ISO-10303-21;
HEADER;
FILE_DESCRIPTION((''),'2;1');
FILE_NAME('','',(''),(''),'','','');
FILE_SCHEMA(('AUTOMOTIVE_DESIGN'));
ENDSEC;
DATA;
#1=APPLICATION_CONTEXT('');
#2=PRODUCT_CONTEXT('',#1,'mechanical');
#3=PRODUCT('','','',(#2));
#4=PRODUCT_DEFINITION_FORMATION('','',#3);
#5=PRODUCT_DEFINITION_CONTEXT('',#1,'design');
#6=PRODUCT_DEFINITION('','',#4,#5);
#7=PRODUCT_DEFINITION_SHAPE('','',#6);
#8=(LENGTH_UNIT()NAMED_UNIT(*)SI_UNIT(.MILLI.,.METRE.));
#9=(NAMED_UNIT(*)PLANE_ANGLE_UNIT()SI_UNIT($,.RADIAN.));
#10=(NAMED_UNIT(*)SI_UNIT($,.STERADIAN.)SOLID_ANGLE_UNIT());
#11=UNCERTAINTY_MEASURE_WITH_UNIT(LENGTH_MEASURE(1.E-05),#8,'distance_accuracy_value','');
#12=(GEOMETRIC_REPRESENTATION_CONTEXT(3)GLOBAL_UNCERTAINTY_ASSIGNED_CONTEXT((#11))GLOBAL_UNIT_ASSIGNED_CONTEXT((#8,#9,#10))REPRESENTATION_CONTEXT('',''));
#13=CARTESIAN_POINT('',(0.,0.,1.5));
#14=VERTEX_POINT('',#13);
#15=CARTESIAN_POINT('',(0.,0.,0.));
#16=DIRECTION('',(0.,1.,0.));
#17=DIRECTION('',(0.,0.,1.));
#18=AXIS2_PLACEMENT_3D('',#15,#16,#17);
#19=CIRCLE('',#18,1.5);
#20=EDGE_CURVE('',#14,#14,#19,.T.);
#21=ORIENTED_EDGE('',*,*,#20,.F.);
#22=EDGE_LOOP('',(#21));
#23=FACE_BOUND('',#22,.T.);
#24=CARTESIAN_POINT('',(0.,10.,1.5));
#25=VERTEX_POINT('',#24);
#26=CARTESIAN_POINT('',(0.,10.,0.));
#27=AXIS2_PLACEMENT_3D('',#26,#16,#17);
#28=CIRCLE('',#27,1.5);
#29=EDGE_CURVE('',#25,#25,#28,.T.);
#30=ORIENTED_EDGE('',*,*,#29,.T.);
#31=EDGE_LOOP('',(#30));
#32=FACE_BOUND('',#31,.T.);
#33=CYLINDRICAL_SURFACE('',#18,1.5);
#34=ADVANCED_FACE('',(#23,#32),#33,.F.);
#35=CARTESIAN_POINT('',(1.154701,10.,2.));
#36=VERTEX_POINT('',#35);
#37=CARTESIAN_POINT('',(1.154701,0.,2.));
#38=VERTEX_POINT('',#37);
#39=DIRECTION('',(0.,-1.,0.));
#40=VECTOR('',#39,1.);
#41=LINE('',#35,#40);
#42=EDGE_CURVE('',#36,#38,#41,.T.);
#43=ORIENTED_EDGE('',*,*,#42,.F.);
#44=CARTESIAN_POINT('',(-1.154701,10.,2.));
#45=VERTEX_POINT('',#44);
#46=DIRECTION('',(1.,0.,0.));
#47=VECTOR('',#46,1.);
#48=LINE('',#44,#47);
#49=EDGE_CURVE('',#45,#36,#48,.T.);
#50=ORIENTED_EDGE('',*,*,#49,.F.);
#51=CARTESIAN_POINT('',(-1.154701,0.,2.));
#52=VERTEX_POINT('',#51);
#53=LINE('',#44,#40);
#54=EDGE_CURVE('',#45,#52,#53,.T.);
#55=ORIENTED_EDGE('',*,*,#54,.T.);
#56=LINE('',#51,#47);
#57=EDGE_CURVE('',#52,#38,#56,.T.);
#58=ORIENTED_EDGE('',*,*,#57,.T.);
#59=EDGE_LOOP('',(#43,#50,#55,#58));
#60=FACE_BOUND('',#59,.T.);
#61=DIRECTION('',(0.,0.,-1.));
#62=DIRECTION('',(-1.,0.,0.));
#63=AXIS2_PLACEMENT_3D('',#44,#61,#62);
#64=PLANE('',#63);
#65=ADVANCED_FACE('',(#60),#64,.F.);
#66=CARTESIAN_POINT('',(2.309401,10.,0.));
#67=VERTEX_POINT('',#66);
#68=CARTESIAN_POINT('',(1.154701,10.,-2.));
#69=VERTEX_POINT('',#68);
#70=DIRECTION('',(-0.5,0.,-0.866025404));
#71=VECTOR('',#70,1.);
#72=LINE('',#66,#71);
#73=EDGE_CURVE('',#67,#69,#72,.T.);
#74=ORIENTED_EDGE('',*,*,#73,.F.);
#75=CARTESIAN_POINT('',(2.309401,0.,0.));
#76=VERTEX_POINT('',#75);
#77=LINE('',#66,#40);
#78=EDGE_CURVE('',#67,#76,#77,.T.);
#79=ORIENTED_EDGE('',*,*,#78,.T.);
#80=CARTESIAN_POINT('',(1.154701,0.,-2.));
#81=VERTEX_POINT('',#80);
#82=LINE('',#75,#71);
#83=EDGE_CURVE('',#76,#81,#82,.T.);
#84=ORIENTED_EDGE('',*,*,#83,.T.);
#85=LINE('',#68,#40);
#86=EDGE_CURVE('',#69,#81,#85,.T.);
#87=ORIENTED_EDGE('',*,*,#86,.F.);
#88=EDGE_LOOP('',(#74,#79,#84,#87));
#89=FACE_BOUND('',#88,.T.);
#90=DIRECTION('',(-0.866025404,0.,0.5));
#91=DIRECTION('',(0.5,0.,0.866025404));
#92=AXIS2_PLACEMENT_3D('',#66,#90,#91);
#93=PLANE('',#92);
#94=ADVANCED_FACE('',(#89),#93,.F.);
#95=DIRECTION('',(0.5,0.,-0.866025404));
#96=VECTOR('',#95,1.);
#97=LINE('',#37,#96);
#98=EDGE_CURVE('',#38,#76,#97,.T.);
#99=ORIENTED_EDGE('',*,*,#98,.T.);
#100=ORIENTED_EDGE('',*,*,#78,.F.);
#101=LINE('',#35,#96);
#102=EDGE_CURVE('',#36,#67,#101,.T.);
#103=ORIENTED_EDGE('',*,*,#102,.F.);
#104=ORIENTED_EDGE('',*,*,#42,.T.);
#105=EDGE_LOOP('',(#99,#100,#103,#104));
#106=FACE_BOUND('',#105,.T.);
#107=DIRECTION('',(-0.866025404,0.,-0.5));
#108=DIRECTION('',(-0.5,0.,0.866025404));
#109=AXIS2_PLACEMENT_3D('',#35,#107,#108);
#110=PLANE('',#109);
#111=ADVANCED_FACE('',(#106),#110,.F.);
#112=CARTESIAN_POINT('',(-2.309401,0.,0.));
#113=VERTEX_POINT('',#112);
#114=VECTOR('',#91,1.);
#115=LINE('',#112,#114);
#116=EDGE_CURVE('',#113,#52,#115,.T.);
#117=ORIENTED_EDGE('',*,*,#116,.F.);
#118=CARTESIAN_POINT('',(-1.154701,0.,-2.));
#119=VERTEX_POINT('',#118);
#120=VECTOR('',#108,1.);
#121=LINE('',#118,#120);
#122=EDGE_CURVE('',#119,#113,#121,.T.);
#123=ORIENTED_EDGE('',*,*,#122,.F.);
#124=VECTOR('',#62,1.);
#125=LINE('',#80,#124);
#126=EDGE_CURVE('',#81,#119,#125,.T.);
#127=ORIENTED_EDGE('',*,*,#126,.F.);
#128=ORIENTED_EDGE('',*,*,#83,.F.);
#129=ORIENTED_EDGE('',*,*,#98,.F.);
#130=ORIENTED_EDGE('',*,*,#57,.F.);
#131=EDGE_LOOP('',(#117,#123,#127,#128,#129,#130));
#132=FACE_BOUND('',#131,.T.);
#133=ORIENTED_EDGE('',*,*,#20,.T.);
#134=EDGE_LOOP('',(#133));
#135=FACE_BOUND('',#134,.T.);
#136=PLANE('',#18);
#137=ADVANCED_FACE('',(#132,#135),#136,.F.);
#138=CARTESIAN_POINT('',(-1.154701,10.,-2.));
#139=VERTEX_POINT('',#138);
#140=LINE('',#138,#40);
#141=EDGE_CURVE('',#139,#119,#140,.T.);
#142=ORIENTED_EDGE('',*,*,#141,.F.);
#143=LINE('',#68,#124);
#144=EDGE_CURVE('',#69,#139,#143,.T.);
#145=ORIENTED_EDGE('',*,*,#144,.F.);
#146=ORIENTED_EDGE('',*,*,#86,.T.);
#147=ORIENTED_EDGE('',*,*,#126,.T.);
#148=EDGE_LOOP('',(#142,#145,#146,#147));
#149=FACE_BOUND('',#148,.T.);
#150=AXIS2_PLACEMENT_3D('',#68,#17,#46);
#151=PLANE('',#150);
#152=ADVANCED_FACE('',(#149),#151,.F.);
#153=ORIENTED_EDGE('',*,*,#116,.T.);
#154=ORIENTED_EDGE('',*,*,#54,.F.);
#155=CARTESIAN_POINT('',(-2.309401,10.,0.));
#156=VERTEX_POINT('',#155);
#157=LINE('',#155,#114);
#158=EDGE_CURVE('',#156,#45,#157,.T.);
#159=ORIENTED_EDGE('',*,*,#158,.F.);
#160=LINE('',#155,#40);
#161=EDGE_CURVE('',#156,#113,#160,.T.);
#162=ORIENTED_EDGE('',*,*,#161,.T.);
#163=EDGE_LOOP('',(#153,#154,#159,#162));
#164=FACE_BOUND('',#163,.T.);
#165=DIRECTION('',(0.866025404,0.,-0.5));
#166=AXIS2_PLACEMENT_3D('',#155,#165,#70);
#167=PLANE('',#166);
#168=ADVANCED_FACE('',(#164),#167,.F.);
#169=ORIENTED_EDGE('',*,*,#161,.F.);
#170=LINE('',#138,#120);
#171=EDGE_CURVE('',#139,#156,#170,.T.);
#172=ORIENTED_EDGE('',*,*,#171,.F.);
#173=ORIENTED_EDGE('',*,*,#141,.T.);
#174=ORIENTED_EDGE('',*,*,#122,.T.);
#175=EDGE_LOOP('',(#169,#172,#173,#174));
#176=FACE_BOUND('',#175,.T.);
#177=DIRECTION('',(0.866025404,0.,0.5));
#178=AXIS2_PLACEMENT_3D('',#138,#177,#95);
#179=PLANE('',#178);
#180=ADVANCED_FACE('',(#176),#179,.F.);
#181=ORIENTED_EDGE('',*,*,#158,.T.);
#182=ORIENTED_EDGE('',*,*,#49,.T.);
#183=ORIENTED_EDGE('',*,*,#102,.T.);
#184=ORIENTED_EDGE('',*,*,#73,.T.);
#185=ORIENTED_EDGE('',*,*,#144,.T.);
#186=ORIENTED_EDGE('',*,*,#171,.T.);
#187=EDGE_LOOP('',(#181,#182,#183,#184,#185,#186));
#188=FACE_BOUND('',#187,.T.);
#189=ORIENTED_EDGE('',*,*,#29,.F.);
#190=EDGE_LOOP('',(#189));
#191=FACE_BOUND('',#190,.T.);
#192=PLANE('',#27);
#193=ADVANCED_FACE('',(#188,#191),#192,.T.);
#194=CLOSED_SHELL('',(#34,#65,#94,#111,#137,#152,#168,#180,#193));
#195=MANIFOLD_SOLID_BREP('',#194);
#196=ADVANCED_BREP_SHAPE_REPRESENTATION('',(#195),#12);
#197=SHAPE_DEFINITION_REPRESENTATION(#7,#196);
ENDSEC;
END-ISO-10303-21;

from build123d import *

# Parameters (mm, degrees)
EXTRUDE_1_DEPTH     = 10
SKETCH_2_R          = 1.5
CUT_EXTRUDE_1_DEPTH = 11.456258094


with BuildPart() as part:
    # 草图1 → 凸台-拉伸1 (new body)
    with BuildSketch(Plane(origin=(0, 0, 0), x_dir=(1, 0, 0), z_dir=(0, 1, 0))):
        Polygon((2.309401077, 0), (1.154700538, 2), (-1.154700538, 2), (-2.309401077, 0), (-1.154700538, -2), (1.154700538, -2), align=None)
    extrude(amount=EXTRUDE_1_DEPTH)

    # 草图2 → 切除-拉伸1 (cut, through all)
    with BuildSketch(Plane(origin=(0, 10, 0), x_dir=(1, 0, 0), z_dir=(0, 1, 0))):
        with Locations(Location((0, 0, 0), (0, 0, 270))):
            Circle(SKETCH_2_R)
    extrude(amount=-CUT_EXTRUDE_1_DEPTH, mode=Mode.SUBTRACT)


solid = part.part
